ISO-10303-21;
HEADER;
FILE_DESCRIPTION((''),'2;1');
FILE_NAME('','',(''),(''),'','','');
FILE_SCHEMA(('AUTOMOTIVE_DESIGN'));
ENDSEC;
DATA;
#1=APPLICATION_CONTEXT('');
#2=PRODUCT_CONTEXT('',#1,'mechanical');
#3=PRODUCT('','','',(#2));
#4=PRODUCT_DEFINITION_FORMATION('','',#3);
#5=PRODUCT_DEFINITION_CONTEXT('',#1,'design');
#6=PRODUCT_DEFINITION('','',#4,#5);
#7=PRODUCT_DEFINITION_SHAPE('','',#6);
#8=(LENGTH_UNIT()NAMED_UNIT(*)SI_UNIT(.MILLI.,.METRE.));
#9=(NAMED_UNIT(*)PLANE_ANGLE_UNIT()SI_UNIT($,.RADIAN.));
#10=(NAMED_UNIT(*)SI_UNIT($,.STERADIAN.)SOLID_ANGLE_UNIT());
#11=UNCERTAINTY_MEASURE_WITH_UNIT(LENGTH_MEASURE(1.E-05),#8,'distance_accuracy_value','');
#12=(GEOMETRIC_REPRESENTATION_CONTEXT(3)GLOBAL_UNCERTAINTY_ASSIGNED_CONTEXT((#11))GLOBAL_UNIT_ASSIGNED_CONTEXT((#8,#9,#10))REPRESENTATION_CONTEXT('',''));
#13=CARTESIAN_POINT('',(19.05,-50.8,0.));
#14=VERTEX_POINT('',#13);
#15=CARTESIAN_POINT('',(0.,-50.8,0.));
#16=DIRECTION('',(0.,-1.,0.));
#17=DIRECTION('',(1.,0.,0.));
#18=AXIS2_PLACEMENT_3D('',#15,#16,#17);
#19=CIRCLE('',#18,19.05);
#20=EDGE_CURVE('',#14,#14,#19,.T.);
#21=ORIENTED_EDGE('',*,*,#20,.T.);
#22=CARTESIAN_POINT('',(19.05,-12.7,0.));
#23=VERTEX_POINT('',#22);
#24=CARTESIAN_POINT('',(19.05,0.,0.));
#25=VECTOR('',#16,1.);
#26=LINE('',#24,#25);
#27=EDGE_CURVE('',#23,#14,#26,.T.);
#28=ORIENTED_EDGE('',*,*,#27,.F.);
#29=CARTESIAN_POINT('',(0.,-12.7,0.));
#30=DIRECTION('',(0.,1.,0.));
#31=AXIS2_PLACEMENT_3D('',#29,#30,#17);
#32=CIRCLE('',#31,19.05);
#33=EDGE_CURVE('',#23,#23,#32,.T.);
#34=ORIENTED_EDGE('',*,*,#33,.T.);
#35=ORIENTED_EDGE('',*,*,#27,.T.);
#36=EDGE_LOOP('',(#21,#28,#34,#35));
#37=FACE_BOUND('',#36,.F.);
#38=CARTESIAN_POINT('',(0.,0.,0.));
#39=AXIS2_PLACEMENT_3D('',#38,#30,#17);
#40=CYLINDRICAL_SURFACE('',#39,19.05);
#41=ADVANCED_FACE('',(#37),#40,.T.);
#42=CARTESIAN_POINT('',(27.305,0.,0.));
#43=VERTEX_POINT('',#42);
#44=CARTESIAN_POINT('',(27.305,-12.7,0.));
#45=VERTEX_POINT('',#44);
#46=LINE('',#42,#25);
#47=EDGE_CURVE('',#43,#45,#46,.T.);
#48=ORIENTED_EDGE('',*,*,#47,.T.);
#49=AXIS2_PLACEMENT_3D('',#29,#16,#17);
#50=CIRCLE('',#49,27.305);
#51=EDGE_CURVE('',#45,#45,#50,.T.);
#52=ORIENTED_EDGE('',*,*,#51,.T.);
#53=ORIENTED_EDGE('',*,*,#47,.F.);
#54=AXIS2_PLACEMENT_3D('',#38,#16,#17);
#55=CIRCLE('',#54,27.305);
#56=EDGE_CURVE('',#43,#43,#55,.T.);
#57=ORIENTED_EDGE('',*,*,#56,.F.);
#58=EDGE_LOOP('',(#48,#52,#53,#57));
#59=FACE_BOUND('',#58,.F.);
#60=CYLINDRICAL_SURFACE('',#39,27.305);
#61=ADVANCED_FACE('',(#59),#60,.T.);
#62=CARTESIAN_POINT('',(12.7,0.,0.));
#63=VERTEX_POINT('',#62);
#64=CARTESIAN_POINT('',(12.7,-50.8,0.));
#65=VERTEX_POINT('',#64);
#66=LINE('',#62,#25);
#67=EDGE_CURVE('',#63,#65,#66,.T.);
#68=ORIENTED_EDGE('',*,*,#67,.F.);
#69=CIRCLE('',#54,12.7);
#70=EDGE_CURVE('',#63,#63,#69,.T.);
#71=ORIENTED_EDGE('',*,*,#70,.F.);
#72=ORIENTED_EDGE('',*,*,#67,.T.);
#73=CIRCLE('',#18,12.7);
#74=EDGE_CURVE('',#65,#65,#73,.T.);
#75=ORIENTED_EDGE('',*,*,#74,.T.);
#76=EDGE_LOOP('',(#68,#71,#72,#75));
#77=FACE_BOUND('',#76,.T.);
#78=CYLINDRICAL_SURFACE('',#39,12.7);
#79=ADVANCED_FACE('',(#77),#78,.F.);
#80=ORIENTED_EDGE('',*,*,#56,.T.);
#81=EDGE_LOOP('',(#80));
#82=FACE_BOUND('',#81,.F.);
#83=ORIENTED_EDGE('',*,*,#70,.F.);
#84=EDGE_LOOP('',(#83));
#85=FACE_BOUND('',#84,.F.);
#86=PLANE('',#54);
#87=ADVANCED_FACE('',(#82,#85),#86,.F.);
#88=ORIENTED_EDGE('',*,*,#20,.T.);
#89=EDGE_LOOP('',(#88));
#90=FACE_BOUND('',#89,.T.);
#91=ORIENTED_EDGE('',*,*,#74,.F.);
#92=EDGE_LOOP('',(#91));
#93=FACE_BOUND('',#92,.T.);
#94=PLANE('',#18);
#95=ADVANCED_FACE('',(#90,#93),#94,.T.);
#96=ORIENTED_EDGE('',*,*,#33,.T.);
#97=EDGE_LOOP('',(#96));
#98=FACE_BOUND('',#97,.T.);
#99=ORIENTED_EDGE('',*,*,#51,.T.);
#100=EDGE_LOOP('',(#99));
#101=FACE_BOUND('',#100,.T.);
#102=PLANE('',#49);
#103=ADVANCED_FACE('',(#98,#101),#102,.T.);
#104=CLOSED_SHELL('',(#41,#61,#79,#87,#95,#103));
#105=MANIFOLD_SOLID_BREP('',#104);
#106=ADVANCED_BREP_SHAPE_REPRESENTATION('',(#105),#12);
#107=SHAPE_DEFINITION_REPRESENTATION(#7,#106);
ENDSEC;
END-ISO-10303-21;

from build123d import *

# Parameters (mm, degrees)
F0_R     = 19.05
F0_R_2   = 12.7
F1_DEPTH = 50.8
F2_R     = 27.305
F3_DEPTH = 12.7
F4_DEPTH = 42.750418


with BuildPart() as f1:
    # F0 (on Front) → F1 (new body)
    with BuildSketch(Plane.XZ):
        Circle(F0_R)
        Circle(F0_R_2, mode=Mode.SUBTRACT)
    extrude(amount=F1_DEPTH)

    # F2 (on Front) → F3 (join)
    with BuildSketch(Plane.XZ):
        Circle(F2_R)
    extrude(amount=F3_DEPTH)

    # F0 (on Front) → F4 (cut)
    with BuildSketch(Plane.XZ):
        Circle(F0_R_2)
    extrude(amount=F4_DEPTH, mode=Mode.SUBTRACT)


solid = f1.part
